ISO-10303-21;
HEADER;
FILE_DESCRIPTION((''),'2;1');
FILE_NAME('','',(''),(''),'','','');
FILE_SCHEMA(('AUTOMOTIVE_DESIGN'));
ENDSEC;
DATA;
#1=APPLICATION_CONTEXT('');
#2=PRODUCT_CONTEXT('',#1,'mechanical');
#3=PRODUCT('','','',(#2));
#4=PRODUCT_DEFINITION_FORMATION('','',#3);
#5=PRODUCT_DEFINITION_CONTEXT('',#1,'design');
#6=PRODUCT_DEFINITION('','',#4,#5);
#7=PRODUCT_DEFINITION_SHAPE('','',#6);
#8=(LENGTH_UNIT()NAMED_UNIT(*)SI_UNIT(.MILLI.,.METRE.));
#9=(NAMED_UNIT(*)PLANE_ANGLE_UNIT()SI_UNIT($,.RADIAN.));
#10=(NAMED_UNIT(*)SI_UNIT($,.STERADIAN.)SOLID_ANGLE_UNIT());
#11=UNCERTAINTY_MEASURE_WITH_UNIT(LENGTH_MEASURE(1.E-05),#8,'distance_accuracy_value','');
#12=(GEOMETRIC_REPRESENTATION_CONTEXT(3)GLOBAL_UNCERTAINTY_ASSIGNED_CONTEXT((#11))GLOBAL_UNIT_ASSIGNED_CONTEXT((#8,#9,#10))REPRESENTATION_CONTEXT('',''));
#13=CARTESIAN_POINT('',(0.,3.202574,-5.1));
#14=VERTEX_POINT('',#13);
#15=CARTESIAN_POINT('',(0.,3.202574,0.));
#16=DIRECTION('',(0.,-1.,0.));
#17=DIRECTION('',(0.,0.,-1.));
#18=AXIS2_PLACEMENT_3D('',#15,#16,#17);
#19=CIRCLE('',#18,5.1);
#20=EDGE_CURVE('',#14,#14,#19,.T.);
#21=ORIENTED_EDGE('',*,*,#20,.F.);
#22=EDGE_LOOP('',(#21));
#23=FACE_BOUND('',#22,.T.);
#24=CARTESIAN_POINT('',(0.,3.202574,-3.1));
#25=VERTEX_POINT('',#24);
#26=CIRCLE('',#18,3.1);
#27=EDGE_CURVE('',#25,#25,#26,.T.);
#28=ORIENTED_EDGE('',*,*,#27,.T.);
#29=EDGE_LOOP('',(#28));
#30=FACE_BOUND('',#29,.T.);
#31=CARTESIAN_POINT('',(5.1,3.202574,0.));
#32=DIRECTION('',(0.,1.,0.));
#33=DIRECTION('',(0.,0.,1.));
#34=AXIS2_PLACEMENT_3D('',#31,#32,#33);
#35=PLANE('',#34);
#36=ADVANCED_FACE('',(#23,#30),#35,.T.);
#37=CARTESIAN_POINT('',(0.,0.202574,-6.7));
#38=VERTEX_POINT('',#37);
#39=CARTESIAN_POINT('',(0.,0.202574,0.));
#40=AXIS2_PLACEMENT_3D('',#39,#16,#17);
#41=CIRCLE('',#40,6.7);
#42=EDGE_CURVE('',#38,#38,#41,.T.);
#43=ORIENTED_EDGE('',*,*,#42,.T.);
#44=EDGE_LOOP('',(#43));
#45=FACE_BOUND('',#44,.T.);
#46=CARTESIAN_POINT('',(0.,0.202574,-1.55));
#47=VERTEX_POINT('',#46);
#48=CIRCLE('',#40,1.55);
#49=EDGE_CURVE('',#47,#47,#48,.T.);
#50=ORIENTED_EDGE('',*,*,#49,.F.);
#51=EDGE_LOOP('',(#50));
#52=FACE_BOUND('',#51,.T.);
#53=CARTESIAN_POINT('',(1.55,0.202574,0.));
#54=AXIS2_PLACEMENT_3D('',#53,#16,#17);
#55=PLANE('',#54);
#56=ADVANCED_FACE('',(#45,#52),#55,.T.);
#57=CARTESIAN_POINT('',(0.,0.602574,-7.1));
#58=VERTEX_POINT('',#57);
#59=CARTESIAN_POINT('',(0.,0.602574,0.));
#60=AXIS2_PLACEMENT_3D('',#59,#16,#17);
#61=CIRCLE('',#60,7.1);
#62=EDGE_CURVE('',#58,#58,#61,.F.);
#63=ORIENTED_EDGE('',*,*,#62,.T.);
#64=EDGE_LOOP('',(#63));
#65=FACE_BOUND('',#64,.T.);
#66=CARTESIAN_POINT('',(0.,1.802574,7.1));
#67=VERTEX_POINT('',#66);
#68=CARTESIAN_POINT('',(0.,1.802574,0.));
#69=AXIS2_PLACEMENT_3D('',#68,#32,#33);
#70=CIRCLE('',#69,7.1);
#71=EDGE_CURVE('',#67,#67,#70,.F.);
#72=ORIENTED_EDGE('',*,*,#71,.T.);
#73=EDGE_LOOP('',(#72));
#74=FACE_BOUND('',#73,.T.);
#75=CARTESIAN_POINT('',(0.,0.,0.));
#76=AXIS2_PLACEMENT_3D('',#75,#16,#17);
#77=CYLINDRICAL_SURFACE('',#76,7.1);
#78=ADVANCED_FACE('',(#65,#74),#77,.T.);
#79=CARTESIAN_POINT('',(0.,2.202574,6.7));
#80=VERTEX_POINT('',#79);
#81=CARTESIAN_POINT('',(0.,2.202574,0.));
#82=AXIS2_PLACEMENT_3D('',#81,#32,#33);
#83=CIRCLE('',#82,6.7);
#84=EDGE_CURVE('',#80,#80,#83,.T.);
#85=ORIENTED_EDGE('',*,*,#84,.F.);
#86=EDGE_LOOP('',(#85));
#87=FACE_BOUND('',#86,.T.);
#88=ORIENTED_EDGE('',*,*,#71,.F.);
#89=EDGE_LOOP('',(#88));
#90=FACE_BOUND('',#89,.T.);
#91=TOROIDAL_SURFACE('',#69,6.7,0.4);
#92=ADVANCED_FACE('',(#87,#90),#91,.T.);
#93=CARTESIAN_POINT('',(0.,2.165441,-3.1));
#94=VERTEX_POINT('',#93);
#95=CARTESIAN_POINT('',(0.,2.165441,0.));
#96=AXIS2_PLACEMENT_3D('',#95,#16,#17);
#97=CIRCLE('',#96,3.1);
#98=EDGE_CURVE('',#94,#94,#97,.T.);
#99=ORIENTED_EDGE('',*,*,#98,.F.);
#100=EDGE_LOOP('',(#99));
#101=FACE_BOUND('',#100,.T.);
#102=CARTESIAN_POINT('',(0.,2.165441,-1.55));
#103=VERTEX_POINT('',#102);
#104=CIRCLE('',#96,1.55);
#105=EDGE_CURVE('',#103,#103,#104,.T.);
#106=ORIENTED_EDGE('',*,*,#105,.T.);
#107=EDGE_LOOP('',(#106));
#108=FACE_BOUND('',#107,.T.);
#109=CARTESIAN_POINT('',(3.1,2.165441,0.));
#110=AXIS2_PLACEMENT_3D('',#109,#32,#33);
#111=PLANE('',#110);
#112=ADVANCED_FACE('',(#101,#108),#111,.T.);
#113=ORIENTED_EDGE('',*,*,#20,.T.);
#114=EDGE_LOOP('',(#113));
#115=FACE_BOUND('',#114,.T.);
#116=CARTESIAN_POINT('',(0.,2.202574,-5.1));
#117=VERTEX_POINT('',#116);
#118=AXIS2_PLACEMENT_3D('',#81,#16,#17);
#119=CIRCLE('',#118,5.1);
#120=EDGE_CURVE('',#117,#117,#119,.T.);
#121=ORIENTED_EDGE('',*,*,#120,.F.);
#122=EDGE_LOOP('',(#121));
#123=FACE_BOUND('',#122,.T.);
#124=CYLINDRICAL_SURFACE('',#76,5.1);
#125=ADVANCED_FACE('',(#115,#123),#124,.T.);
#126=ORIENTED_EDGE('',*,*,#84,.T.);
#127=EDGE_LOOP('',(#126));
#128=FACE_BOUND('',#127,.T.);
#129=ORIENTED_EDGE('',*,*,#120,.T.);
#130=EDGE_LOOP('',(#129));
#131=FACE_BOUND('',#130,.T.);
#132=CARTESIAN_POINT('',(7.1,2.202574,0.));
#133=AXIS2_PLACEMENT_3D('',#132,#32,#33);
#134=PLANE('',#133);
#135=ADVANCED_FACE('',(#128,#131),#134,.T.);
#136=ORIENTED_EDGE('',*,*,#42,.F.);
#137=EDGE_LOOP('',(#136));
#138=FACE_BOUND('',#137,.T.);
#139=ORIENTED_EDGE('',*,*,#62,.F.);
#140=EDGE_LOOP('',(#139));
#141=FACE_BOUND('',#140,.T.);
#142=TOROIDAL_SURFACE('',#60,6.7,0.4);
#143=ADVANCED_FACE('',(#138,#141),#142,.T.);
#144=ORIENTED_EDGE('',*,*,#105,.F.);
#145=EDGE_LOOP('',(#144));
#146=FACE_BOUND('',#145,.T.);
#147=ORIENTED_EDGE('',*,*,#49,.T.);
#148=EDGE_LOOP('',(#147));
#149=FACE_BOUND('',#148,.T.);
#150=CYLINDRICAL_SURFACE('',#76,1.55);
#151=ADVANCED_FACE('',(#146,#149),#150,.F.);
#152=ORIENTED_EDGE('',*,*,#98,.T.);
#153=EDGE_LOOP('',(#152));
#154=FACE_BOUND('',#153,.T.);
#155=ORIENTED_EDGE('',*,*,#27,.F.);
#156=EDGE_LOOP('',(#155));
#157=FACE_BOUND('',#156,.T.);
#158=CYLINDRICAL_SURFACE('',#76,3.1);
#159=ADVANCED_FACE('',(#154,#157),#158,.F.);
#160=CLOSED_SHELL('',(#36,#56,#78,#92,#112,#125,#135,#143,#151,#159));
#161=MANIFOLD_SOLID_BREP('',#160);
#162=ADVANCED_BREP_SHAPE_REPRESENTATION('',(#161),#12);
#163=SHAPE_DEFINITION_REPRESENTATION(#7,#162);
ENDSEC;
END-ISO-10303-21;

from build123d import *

# Parameters (mm, degrees)
FILLET1_R = 0.4


with BuildPart() as part:
    # Sketch1 → Revolve1 (revolve)
    with BuildSketch(Plane.XY, mode=Mode.PRIVATE) as revolve1_sk:
        Polygon((1.55, 0.202573529), (7.1, 0.202573529), (7.1, 2.202573529), (5.1, 2.202573529), (5.1, 3.202573529), (3.1, 3.202573529), (3.1, 2.165441176), (1.55, 2.165441176), align=None)
    revolve(revolve1_sk.sketch.rotate(Axis((0, 0, 0), (0, 1, 0)), 90), axis=Axis((0, 0, 0), (0, 1, 0)))

    # Fillet1
    fillet1_edges = [part.edges().sort_by_distance(p)[0] for p in [
        (0, 2.202573529, 7.1),
        (0, 0.202573529, 7.1),
    ]]
    fillet(fillet1_edges, radius=FILLET1_R)


solid = part.part
